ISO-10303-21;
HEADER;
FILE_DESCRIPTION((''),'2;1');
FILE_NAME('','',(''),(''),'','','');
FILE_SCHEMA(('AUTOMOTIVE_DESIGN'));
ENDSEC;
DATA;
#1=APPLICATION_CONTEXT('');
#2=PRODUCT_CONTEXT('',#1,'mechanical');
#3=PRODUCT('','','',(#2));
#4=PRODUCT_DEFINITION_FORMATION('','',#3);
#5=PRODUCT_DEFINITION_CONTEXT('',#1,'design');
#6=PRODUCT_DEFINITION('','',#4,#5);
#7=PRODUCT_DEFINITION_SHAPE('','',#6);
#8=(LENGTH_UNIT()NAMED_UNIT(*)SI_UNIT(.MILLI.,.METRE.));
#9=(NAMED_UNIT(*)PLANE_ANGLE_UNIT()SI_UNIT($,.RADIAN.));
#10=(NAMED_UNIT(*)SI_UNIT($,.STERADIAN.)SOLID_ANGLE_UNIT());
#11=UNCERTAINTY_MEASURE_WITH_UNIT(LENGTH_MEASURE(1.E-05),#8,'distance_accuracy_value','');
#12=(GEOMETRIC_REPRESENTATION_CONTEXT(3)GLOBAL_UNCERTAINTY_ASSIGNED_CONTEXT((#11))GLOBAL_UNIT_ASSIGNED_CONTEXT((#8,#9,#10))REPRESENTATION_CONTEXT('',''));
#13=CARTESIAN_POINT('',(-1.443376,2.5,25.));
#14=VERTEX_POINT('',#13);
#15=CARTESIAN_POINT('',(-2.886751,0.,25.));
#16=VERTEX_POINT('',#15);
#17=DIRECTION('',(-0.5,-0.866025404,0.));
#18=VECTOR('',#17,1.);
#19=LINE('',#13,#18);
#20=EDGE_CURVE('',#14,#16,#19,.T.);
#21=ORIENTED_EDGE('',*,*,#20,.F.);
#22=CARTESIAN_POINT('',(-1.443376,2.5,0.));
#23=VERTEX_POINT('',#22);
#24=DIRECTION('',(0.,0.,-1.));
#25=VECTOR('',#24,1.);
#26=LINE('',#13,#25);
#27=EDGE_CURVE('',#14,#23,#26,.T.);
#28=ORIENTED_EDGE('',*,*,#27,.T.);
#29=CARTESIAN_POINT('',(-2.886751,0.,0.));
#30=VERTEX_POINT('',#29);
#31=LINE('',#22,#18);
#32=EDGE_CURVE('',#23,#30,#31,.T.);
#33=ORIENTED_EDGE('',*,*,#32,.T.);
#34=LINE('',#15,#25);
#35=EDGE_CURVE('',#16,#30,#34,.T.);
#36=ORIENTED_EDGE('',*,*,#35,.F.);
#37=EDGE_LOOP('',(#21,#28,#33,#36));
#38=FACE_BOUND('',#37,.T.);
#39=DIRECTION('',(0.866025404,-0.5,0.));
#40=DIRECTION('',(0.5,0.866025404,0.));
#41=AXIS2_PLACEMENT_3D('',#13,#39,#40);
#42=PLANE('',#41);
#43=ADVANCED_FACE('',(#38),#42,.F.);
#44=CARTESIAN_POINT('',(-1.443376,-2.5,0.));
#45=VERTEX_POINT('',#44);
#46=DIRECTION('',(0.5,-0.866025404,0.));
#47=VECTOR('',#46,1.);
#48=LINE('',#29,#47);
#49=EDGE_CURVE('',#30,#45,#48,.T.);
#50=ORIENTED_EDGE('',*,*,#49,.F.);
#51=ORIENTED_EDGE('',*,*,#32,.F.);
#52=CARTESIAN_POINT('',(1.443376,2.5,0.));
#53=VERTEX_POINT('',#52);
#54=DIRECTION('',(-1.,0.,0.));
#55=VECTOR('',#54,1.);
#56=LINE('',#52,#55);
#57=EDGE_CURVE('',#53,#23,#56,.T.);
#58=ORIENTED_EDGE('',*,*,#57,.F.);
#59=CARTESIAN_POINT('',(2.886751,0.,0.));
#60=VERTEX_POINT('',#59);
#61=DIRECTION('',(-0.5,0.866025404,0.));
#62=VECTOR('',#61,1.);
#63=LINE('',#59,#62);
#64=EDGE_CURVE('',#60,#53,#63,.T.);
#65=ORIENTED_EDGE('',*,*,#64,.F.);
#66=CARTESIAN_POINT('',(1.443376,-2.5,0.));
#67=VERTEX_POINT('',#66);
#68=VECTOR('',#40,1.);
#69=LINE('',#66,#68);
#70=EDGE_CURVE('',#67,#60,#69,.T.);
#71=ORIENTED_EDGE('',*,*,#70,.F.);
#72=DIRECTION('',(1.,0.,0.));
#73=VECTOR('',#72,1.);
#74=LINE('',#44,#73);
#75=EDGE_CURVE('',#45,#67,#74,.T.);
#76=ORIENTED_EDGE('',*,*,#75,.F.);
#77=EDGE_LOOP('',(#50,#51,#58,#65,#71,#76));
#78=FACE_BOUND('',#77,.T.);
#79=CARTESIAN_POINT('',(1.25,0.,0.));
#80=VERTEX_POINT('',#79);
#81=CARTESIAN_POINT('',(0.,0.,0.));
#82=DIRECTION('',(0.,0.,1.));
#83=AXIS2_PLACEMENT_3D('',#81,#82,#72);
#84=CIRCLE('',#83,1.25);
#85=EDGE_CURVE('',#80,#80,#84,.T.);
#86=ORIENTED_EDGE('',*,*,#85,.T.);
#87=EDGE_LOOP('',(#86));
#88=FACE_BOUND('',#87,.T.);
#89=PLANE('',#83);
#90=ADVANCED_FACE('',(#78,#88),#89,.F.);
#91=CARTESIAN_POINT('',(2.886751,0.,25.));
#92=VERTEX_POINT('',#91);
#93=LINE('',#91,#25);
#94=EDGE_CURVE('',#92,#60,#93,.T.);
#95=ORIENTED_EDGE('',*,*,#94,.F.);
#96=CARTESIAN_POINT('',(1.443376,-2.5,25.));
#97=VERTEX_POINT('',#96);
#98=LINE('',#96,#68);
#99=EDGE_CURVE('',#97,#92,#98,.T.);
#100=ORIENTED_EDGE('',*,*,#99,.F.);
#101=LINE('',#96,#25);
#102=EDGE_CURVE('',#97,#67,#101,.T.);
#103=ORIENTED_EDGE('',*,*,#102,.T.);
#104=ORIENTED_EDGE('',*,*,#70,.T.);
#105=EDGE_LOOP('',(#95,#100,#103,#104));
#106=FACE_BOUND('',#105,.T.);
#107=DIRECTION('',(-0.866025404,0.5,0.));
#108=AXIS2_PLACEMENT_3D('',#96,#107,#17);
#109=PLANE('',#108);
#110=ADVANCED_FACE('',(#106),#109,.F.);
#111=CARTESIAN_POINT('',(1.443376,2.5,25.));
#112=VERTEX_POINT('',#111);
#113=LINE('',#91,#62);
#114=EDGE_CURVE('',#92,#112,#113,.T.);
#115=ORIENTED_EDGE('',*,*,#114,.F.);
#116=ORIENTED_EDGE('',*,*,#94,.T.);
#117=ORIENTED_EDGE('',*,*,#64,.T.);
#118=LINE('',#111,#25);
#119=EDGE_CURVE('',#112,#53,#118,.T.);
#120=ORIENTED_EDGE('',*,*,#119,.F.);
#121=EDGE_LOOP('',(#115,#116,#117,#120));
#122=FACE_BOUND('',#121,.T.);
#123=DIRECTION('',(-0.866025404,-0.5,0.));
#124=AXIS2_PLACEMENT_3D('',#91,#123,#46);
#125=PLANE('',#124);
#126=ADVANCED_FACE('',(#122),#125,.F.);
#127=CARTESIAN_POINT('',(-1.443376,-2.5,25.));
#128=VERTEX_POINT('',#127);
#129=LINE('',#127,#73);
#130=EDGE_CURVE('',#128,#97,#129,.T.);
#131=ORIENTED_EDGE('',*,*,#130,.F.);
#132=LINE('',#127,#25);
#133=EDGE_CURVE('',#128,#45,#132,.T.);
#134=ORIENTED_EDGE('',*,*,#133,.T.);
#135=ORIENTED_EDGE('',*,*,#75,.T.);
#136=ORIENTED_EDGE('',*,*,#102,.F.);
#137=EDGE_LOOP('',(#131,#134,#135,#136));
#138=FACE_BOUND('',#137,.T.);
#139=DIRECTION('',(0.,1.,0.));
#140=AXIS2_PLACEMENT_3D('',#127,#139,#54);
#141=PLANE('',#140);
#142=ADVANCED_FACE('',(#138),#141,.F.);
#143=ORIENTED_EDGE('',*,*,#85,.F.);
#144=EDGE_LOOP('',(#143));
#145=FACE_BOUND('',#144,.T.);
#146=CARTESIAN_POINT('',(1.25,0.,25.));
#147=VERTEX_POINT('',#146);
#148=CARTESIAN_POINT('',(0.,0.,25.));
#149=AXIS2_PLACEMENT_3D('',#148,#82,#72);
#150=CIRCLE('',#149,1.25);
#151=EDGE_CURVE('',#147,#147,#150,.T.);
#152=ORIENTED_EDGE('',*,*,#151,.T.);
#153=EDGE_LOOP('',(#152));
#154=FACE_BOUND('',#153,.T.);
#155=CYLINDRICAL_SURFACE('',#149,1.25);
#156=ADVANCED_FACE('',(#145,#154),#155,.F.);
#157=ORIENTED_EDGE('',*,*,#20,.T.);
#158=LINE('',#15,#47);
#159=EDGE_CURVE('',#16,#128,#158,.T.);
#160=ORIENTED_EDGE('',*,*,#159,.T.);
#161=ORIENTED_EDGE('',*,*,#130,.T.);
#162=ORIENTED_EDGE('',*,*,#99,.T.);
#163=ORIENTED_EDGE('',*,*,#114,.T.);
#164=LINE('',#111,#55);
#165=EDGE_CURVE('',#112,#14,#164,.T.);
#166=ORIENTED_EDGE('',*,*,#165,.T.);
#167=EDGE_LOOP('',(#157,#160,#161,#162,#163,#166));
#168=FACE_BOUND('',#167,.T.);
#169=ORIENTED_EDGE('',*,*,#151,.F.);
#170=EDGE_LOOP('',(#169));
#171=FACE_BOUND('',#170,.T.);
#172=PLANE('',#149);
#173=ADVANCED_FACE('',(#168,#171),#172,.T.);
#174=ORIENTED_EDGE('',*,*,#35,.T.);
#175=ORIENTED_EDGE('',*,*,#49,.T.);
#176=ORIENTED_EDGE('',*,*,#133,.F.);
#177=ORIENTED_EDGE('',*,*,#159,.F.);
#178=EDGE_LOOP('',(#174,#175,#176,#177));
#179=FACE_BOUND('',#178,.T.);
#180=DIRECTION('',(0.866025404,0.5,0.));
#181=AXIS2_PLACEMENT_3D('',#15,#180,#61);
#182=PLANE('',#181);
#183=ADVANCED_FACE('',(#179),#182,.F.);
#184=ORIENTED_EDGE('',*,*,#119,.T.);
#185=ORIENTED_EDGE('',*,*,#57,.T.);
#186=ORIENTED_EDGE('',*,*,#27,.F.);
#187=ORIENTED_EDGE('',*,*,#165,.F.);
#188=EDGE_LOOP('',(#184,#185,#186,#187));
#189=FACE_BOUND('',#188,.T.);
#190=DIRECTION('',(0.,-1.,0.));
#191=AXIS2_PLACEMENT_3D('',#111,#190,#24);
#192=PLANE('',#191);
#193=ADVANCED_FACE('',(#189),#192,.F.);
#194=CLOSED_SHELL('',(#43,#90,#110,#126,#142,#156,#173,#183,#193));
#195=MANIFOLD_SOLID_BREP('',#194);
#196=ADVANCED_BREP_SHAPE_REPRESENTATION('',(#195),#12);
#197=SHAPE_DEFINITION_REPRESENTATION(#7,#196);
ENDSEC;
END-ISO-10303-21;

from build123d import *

# Parameters (mm, degrees)
EXTRUDE_1_DEPTH    = 25
HOLE_WIZARD_M3_1_D = 2.5


with BuildPart() as part:
    # 草图1 → 凸台-拉伸1 (new body)
    with BuildSketch(Plane.XY):
        Polygon((1.443375673, 2.5), (-1.443375673, 2.5), (-2.886751346, 0), (-1.443375673, -2.5), (1.443375673, -2.5), (2.886751346, 0), align=None)
    extrude(amount=EXTRUDE_1_DEPTH)

    # M3 螺纹孔1 (through all)
    with Locations(Plane.XY.offset(25)):
        with Locations((0, 0)):
            Hole(HOLE_WIZARD_M3_1_D / 2)


solid = part.part
